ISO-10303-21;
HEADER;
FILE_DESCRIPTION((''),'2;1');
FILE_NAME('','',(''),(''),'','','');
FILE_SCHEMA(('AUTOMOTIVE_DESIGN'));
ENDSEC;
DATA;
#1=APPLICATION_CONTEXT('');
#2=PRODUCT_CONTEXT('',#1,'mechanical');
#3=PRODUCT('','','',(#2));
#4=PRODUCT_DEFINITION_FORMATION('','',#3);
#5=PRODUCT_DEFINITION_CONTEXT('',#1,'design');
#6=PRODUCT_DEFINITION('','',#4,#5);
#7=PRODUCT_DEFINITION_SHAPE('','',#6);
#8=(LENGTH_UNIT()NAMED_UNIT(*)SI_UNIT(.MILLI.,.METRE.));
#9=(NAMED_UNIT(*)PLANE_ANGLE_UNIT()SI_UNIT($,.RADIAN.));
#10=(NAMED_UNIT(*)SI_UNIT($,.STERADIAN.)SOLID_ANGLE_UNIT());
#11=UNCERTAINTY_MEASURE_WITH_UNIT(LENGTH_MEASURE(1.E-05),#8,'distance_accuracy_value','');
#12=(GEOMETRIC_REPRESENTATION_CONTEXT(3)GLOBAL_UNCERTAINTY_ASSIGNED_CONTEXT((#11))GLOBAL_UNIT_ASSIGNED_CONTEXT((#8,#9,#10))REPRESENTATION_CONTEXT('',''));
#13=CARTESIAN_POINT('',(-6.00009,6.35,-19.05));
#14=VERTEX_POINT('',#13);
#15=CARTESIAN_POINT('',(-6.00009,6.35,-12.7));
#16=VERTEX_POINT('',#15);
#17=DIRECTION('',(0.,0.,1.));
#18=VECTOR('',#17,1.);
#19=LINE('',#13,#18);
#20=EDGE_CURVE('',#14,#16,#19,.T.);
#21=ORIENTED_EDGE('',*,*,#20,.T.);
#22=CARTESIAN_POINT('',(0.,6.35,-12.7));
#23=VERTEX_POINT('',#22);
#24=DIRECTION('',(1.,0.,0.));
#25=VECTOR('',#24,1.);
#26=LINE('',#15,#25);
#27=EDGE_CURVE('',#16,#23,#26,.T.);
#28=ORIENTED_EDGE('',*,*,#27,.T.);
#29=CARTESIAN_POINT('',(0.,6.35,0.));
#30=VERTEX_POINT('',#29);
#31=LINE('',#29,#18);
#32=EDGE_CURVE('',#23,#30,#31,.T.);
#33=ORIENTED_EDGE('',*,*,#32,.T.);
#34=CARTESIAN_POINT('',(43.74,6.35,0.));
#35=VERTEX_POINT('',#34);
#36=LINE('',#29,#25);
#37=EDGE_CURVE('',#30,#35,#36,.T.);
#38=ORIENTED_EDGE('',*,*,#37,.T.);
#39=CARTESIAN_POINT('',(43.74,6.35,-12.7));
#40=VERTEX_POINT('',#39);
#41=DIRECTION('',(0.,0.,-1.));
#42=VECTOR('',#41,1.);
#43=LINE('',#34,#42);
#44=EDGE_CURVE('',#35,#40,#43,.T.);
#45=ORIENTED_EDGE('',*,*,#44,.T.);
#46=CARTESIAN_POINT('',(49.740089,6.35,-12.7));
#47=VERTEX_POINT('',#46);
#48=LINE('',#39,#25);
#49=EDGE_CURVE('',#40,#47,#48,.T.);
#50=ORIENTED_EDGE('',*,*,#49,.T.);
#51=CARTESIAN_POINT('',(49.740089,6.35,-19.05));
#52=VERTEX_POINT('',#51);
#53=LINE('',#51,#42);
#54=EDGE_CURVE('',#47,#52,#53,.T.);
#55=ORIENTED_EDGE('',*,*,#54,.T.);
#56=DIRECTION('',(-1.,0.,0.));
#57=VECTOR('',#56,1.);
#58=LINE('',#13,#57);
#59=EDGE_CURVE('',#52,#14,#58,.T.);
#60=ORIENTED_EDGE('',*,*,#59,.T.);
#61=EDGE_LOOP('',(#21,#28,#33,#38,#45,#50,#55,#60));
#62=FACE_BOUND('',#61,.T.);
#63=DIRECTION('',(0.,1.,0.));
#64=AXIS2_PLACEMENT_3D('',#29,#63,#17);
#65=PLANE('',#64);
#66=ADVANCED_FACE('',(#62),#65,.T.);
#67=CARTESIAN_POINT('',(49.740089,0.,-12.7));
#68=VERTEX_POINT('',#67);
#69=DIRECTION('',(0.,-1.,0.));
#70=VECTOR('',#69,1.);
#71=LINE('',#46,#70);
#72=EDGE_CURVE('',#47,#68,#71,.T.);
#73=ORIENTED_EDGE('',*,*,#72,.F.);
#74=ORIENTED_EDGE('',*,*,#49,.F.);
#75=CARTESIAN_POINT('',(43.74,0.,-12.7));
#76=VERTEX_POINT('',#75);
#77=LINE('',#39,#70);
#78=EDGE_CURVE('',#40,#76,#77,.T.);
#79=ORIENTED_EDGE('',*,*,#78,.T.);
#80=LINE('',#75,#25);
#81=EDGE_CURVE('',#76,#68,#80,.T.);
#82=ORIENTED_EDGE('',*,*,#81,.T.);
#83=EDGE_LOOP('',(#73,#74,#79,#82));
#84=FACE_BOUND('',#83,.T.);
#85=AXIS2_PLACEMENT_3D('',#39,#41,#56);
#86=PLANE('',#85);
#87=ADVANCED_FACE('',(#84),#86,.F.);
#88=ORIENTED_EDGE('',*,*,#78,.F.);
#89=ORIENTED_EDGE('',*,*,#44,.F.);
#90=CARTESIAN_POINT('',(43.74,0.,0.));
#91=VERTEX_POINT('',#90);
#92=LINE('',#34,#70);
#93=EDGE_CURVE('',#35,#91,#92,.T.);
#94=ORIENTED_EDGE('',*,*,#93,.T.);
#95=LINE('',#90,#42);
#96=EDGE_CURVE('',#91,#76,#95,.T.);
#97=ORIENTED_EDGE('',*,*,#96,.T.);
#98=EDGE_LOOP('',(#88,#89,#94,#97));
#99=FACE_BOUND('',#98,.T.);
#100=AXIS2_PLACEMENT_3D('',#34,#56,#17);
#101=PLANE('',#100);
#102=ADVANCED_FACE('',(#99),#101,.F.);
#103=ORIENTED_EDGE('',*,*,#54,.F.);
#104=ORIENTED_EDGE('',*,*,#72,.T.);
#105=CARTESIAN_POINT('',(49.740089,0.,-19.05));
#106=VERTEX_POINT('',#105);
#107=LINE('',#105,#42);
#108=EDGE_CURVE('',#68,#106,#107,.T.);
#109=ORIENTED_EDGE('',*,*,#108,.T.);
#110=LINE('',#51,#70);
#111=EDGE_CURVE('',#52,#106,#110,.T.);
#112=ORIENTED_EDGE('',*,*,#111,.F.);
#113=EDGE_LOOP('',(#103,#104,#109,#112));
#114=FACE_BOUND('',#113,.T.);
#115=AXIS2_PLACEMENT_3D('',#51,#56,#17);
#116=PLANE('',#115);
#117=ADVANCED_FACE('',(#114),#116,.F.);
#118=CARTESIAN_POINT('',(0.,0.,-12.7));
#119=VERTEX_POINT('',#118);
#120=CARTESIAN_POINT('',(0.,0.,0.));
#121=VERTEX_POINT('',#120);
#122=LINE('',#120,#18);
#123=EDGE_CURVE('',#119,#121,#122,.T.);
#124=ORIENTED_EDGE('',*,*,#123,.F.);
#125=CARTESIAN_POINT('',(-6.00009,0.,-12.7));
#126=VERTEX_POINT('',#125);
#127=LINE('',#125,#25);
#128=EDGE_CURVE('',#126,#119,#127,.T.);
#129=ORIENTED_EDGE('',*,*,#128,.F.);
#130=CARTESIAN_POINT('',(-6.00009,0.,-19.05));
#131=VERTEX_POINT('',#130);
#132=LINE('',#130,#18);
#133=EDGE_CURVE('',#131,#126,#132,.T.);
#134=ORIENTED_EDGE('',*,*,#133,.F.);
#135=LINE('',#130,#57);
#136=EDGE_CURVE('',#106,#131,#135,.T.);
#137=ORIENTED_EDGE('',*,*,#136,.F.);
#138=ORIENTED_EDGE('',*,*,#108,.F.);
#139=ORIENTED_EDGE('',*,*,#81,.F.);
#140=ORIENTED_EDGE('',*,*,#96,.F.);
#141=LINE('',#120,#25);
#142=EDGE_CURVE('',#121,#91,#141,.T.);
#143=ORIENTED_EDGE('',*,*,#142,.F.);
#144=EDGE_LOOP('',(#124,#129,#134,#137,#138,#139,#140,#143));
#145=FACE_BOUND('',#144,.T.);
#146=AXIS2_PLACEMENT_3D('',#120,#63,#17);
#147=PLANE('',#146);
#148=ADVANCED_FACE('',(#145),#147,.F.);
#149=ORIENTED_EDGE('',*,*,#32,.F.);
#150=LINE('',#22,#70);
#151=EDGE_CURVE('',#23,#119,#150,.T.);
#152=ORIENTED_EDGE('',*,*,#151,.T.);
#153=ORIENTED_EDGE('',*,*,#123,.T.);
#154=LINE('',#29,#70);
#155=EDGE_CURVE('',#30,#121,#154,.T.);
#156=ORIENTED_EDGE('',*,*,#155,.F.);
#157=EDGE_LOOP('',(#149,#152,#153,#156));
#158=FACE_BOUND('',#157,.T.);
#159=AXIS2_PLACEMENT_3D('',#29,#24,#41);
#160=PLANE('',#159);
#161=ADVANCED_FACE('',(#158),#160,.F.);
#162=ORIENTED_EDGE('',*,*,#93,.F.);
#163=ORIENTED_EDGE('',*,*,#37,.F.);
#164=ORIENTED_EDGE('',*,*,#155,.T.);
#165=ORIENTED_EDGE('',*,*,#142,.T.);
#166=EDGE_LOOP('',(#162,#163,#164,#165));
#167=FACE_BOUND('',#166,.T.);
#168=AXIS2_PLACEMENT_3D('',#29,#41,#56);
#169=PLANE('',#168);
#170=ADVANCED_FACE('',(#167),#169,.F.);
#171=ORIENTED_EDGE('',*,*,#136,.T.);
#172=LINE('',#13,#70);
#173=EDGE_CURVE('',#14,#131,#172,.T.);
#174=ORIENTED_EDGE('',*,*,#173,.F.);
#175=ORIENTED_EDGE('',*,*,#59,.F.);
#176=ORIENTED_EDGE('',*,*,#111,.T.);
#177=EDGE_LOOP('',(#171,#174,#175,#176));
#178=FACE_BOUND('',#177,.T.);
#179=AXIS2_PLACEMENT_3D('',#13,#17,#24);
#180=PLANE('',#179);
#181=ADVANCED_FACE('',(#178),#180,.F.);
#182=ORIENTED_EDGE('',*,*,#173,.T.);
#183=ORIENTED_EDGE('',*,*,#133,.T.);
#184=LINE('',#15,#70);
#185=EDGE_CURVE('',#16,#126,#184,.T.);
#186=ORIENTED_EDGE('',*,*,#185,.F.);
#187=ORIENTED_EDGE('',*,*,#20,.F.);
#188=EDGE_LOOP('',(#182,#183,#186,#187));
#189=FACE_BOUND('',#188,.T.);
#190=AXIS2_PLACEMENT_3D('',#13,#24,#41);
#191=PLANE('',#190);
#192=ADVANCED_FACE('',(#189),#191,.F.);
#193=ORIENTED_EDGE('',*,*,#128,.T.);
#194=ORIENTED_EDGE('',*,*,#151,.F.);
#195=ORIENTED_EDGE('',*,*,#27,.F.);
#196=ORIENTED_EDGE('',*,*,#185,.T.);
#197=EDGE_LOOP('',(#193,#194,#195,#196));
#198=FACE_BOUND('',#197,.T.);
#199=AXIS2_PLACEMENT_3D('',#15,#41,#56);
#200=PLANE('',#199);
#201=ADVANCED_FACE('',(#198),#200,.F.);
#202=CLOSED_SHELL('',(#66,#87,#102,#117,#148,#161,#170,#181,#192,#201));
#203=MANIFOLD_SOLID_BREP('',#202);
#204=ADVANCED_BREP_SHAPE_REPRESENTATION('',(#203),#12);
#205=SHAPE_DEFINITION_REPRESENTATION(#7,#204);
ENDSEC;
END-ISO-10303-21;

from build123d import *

# Parameters (mm, degrees)
BOSS_EXTRUDE1_DEPTH = 6.35


with BuildPart() as part:
    # Sketch1 → Boss-Extrude1 (new body)
    with BuildSketch(Plane(origin=(0, 0, 0), x_dir=(1, 0, 0), z_dir=(0, 1, 0))):
        Polygon((0, 0), (0, 12.7), (-6.0000896, 12.7), (-6.0000896, 19.05), (49.740089496, 19.05), (49.740089496, 12.7), (43.739999896, 12.7), (43.739999896, 0), align=None)
    extrude(amount=BOSS_EXTRUDE1_DEPTH)


solid = part.part
